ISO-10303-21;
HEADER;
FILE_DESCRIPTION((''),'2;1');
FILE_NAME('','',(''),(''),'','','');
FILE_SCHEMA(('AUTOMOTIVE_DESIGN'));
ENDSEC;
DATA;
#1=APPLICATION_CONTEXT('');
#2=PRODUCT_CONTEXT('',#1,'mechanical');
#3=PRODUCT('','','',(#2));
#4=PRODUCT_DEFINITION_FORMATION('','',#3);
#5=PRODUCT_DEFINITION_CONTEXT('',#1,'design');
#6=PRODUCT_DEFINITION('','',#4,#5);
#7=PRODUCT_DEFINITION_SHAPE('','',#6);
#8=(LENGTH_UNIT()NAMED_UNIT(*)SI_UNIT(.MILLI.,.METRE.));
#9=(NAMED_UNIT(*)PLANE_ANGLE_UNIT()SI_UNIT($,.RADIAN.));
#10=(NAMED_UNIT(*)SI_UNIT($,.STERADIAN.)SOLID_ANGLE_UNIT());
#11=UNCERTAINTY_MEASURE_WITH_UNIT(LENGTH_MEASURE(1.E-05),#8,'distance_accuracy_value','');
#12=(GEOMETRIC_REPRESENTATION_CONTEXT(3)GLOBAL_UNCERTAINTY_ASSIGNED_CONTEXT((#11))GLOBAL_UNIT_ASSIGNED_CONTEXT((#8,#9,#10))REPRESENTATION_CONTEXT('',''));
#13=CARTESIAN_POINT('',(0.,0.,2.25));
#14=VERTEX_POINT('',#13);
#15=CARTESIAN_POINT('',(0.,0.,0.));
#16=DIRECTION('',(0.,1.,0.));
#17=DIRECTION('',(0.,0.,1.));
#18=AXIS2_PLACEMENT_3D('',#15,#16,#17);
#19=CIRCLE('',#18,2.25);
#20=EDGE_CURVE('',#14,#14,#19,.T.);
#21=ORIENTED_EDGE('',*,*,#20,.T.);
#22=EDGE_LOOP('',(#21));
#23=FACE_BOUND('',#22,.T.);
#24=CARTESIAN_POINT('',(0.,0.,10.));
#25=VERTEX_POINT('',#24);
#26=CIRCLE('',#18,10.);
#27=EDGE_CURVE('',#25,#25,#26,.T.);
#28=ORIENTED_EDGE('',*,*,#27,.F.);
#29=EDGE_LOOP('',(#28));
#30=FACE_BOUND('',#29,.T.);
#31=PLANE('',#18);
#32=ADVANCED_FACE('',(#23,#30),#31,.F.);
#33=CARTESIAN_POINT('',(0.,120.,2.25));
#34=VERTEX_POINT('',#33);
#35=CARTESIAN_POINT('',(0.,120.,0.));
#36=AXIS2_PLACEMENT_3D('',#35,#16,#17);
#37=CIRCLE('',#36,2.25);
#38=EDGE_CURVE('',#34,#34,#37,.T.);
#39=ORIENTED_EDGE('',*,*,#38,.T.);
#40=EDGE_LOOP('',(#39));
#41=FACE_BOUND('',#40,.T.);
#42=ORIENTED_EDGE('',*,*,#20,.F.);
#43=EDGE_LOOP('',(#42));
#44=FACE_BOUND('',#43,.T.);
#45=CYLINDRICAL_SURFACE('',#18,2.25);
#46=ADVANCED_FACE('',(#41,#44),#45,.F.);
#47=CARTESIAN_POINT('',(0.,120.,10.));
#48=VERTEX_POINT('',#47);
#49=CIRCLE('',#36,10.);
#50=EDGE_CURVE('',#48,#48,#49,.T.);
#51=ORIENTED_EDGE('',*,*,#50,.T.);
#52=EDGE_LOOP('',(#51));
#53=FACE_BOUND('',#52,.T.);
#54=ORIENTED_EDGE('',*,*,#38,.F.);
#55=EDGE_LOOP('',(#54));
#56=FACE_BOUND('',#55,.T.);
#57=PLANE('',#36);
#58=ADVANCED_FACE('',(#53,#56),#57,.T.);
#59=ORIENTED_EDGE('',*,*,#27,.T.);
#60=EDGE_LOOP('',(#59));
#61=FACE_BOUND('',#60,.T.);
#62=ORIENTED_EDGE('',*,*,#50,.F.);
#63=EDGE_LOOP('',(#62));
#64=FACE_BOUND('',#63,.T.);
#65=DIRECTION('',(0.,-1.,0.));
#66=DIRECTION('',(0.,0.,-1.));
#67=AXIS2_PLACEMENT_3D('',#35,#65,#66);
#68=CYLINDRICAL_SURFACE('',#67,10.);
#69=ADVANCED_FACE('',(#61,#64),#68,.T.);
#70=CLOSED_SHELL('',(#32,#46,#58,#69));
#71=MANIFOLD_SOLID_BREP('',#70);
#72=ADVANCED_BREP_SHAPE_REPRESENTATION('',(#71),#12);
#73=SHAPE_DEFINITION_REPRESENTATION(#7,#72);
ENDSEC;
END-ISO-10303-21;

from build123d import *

# Parameters (mm, degrees)
SKETCH1_R           = 10
BOSS_EXTRUDE1_DEPTH = 120
SKETCH2_R           = 2.25
CUT_EXTRUDE1_DEPTH  = 120


with BuildPart() as part:
    # Sketch1 → Boss-Extrude1 (new body)
    with BuildSketch(Plane(origin=(0, 0, 0), x_dir=(1, 0, 0), z_dir=(0, 1, 0))):
        with Locations(Location((0, 0, 0), (0, 0, 270))):
            Circle(SKETCH1_R)
    extrude(amount=BOSS_EXTRUDE1_DEPTH)

    # Sketch2 → Cut-Extrude1 (cut)
    with BuildSketch(Plane(origin=(0, 120, 0), x_dir=(1, 0, 0), z_dir=(0, 1, 0))):
        with Locations(Location((0, 0, 0), (0, 0, 270))):
            Circle(SKETCH2_R)
    extrude(amount=-CUT_EXTRUDE1_DEPTH, mode=Mode.SUBTRACT)


solid = part.part
